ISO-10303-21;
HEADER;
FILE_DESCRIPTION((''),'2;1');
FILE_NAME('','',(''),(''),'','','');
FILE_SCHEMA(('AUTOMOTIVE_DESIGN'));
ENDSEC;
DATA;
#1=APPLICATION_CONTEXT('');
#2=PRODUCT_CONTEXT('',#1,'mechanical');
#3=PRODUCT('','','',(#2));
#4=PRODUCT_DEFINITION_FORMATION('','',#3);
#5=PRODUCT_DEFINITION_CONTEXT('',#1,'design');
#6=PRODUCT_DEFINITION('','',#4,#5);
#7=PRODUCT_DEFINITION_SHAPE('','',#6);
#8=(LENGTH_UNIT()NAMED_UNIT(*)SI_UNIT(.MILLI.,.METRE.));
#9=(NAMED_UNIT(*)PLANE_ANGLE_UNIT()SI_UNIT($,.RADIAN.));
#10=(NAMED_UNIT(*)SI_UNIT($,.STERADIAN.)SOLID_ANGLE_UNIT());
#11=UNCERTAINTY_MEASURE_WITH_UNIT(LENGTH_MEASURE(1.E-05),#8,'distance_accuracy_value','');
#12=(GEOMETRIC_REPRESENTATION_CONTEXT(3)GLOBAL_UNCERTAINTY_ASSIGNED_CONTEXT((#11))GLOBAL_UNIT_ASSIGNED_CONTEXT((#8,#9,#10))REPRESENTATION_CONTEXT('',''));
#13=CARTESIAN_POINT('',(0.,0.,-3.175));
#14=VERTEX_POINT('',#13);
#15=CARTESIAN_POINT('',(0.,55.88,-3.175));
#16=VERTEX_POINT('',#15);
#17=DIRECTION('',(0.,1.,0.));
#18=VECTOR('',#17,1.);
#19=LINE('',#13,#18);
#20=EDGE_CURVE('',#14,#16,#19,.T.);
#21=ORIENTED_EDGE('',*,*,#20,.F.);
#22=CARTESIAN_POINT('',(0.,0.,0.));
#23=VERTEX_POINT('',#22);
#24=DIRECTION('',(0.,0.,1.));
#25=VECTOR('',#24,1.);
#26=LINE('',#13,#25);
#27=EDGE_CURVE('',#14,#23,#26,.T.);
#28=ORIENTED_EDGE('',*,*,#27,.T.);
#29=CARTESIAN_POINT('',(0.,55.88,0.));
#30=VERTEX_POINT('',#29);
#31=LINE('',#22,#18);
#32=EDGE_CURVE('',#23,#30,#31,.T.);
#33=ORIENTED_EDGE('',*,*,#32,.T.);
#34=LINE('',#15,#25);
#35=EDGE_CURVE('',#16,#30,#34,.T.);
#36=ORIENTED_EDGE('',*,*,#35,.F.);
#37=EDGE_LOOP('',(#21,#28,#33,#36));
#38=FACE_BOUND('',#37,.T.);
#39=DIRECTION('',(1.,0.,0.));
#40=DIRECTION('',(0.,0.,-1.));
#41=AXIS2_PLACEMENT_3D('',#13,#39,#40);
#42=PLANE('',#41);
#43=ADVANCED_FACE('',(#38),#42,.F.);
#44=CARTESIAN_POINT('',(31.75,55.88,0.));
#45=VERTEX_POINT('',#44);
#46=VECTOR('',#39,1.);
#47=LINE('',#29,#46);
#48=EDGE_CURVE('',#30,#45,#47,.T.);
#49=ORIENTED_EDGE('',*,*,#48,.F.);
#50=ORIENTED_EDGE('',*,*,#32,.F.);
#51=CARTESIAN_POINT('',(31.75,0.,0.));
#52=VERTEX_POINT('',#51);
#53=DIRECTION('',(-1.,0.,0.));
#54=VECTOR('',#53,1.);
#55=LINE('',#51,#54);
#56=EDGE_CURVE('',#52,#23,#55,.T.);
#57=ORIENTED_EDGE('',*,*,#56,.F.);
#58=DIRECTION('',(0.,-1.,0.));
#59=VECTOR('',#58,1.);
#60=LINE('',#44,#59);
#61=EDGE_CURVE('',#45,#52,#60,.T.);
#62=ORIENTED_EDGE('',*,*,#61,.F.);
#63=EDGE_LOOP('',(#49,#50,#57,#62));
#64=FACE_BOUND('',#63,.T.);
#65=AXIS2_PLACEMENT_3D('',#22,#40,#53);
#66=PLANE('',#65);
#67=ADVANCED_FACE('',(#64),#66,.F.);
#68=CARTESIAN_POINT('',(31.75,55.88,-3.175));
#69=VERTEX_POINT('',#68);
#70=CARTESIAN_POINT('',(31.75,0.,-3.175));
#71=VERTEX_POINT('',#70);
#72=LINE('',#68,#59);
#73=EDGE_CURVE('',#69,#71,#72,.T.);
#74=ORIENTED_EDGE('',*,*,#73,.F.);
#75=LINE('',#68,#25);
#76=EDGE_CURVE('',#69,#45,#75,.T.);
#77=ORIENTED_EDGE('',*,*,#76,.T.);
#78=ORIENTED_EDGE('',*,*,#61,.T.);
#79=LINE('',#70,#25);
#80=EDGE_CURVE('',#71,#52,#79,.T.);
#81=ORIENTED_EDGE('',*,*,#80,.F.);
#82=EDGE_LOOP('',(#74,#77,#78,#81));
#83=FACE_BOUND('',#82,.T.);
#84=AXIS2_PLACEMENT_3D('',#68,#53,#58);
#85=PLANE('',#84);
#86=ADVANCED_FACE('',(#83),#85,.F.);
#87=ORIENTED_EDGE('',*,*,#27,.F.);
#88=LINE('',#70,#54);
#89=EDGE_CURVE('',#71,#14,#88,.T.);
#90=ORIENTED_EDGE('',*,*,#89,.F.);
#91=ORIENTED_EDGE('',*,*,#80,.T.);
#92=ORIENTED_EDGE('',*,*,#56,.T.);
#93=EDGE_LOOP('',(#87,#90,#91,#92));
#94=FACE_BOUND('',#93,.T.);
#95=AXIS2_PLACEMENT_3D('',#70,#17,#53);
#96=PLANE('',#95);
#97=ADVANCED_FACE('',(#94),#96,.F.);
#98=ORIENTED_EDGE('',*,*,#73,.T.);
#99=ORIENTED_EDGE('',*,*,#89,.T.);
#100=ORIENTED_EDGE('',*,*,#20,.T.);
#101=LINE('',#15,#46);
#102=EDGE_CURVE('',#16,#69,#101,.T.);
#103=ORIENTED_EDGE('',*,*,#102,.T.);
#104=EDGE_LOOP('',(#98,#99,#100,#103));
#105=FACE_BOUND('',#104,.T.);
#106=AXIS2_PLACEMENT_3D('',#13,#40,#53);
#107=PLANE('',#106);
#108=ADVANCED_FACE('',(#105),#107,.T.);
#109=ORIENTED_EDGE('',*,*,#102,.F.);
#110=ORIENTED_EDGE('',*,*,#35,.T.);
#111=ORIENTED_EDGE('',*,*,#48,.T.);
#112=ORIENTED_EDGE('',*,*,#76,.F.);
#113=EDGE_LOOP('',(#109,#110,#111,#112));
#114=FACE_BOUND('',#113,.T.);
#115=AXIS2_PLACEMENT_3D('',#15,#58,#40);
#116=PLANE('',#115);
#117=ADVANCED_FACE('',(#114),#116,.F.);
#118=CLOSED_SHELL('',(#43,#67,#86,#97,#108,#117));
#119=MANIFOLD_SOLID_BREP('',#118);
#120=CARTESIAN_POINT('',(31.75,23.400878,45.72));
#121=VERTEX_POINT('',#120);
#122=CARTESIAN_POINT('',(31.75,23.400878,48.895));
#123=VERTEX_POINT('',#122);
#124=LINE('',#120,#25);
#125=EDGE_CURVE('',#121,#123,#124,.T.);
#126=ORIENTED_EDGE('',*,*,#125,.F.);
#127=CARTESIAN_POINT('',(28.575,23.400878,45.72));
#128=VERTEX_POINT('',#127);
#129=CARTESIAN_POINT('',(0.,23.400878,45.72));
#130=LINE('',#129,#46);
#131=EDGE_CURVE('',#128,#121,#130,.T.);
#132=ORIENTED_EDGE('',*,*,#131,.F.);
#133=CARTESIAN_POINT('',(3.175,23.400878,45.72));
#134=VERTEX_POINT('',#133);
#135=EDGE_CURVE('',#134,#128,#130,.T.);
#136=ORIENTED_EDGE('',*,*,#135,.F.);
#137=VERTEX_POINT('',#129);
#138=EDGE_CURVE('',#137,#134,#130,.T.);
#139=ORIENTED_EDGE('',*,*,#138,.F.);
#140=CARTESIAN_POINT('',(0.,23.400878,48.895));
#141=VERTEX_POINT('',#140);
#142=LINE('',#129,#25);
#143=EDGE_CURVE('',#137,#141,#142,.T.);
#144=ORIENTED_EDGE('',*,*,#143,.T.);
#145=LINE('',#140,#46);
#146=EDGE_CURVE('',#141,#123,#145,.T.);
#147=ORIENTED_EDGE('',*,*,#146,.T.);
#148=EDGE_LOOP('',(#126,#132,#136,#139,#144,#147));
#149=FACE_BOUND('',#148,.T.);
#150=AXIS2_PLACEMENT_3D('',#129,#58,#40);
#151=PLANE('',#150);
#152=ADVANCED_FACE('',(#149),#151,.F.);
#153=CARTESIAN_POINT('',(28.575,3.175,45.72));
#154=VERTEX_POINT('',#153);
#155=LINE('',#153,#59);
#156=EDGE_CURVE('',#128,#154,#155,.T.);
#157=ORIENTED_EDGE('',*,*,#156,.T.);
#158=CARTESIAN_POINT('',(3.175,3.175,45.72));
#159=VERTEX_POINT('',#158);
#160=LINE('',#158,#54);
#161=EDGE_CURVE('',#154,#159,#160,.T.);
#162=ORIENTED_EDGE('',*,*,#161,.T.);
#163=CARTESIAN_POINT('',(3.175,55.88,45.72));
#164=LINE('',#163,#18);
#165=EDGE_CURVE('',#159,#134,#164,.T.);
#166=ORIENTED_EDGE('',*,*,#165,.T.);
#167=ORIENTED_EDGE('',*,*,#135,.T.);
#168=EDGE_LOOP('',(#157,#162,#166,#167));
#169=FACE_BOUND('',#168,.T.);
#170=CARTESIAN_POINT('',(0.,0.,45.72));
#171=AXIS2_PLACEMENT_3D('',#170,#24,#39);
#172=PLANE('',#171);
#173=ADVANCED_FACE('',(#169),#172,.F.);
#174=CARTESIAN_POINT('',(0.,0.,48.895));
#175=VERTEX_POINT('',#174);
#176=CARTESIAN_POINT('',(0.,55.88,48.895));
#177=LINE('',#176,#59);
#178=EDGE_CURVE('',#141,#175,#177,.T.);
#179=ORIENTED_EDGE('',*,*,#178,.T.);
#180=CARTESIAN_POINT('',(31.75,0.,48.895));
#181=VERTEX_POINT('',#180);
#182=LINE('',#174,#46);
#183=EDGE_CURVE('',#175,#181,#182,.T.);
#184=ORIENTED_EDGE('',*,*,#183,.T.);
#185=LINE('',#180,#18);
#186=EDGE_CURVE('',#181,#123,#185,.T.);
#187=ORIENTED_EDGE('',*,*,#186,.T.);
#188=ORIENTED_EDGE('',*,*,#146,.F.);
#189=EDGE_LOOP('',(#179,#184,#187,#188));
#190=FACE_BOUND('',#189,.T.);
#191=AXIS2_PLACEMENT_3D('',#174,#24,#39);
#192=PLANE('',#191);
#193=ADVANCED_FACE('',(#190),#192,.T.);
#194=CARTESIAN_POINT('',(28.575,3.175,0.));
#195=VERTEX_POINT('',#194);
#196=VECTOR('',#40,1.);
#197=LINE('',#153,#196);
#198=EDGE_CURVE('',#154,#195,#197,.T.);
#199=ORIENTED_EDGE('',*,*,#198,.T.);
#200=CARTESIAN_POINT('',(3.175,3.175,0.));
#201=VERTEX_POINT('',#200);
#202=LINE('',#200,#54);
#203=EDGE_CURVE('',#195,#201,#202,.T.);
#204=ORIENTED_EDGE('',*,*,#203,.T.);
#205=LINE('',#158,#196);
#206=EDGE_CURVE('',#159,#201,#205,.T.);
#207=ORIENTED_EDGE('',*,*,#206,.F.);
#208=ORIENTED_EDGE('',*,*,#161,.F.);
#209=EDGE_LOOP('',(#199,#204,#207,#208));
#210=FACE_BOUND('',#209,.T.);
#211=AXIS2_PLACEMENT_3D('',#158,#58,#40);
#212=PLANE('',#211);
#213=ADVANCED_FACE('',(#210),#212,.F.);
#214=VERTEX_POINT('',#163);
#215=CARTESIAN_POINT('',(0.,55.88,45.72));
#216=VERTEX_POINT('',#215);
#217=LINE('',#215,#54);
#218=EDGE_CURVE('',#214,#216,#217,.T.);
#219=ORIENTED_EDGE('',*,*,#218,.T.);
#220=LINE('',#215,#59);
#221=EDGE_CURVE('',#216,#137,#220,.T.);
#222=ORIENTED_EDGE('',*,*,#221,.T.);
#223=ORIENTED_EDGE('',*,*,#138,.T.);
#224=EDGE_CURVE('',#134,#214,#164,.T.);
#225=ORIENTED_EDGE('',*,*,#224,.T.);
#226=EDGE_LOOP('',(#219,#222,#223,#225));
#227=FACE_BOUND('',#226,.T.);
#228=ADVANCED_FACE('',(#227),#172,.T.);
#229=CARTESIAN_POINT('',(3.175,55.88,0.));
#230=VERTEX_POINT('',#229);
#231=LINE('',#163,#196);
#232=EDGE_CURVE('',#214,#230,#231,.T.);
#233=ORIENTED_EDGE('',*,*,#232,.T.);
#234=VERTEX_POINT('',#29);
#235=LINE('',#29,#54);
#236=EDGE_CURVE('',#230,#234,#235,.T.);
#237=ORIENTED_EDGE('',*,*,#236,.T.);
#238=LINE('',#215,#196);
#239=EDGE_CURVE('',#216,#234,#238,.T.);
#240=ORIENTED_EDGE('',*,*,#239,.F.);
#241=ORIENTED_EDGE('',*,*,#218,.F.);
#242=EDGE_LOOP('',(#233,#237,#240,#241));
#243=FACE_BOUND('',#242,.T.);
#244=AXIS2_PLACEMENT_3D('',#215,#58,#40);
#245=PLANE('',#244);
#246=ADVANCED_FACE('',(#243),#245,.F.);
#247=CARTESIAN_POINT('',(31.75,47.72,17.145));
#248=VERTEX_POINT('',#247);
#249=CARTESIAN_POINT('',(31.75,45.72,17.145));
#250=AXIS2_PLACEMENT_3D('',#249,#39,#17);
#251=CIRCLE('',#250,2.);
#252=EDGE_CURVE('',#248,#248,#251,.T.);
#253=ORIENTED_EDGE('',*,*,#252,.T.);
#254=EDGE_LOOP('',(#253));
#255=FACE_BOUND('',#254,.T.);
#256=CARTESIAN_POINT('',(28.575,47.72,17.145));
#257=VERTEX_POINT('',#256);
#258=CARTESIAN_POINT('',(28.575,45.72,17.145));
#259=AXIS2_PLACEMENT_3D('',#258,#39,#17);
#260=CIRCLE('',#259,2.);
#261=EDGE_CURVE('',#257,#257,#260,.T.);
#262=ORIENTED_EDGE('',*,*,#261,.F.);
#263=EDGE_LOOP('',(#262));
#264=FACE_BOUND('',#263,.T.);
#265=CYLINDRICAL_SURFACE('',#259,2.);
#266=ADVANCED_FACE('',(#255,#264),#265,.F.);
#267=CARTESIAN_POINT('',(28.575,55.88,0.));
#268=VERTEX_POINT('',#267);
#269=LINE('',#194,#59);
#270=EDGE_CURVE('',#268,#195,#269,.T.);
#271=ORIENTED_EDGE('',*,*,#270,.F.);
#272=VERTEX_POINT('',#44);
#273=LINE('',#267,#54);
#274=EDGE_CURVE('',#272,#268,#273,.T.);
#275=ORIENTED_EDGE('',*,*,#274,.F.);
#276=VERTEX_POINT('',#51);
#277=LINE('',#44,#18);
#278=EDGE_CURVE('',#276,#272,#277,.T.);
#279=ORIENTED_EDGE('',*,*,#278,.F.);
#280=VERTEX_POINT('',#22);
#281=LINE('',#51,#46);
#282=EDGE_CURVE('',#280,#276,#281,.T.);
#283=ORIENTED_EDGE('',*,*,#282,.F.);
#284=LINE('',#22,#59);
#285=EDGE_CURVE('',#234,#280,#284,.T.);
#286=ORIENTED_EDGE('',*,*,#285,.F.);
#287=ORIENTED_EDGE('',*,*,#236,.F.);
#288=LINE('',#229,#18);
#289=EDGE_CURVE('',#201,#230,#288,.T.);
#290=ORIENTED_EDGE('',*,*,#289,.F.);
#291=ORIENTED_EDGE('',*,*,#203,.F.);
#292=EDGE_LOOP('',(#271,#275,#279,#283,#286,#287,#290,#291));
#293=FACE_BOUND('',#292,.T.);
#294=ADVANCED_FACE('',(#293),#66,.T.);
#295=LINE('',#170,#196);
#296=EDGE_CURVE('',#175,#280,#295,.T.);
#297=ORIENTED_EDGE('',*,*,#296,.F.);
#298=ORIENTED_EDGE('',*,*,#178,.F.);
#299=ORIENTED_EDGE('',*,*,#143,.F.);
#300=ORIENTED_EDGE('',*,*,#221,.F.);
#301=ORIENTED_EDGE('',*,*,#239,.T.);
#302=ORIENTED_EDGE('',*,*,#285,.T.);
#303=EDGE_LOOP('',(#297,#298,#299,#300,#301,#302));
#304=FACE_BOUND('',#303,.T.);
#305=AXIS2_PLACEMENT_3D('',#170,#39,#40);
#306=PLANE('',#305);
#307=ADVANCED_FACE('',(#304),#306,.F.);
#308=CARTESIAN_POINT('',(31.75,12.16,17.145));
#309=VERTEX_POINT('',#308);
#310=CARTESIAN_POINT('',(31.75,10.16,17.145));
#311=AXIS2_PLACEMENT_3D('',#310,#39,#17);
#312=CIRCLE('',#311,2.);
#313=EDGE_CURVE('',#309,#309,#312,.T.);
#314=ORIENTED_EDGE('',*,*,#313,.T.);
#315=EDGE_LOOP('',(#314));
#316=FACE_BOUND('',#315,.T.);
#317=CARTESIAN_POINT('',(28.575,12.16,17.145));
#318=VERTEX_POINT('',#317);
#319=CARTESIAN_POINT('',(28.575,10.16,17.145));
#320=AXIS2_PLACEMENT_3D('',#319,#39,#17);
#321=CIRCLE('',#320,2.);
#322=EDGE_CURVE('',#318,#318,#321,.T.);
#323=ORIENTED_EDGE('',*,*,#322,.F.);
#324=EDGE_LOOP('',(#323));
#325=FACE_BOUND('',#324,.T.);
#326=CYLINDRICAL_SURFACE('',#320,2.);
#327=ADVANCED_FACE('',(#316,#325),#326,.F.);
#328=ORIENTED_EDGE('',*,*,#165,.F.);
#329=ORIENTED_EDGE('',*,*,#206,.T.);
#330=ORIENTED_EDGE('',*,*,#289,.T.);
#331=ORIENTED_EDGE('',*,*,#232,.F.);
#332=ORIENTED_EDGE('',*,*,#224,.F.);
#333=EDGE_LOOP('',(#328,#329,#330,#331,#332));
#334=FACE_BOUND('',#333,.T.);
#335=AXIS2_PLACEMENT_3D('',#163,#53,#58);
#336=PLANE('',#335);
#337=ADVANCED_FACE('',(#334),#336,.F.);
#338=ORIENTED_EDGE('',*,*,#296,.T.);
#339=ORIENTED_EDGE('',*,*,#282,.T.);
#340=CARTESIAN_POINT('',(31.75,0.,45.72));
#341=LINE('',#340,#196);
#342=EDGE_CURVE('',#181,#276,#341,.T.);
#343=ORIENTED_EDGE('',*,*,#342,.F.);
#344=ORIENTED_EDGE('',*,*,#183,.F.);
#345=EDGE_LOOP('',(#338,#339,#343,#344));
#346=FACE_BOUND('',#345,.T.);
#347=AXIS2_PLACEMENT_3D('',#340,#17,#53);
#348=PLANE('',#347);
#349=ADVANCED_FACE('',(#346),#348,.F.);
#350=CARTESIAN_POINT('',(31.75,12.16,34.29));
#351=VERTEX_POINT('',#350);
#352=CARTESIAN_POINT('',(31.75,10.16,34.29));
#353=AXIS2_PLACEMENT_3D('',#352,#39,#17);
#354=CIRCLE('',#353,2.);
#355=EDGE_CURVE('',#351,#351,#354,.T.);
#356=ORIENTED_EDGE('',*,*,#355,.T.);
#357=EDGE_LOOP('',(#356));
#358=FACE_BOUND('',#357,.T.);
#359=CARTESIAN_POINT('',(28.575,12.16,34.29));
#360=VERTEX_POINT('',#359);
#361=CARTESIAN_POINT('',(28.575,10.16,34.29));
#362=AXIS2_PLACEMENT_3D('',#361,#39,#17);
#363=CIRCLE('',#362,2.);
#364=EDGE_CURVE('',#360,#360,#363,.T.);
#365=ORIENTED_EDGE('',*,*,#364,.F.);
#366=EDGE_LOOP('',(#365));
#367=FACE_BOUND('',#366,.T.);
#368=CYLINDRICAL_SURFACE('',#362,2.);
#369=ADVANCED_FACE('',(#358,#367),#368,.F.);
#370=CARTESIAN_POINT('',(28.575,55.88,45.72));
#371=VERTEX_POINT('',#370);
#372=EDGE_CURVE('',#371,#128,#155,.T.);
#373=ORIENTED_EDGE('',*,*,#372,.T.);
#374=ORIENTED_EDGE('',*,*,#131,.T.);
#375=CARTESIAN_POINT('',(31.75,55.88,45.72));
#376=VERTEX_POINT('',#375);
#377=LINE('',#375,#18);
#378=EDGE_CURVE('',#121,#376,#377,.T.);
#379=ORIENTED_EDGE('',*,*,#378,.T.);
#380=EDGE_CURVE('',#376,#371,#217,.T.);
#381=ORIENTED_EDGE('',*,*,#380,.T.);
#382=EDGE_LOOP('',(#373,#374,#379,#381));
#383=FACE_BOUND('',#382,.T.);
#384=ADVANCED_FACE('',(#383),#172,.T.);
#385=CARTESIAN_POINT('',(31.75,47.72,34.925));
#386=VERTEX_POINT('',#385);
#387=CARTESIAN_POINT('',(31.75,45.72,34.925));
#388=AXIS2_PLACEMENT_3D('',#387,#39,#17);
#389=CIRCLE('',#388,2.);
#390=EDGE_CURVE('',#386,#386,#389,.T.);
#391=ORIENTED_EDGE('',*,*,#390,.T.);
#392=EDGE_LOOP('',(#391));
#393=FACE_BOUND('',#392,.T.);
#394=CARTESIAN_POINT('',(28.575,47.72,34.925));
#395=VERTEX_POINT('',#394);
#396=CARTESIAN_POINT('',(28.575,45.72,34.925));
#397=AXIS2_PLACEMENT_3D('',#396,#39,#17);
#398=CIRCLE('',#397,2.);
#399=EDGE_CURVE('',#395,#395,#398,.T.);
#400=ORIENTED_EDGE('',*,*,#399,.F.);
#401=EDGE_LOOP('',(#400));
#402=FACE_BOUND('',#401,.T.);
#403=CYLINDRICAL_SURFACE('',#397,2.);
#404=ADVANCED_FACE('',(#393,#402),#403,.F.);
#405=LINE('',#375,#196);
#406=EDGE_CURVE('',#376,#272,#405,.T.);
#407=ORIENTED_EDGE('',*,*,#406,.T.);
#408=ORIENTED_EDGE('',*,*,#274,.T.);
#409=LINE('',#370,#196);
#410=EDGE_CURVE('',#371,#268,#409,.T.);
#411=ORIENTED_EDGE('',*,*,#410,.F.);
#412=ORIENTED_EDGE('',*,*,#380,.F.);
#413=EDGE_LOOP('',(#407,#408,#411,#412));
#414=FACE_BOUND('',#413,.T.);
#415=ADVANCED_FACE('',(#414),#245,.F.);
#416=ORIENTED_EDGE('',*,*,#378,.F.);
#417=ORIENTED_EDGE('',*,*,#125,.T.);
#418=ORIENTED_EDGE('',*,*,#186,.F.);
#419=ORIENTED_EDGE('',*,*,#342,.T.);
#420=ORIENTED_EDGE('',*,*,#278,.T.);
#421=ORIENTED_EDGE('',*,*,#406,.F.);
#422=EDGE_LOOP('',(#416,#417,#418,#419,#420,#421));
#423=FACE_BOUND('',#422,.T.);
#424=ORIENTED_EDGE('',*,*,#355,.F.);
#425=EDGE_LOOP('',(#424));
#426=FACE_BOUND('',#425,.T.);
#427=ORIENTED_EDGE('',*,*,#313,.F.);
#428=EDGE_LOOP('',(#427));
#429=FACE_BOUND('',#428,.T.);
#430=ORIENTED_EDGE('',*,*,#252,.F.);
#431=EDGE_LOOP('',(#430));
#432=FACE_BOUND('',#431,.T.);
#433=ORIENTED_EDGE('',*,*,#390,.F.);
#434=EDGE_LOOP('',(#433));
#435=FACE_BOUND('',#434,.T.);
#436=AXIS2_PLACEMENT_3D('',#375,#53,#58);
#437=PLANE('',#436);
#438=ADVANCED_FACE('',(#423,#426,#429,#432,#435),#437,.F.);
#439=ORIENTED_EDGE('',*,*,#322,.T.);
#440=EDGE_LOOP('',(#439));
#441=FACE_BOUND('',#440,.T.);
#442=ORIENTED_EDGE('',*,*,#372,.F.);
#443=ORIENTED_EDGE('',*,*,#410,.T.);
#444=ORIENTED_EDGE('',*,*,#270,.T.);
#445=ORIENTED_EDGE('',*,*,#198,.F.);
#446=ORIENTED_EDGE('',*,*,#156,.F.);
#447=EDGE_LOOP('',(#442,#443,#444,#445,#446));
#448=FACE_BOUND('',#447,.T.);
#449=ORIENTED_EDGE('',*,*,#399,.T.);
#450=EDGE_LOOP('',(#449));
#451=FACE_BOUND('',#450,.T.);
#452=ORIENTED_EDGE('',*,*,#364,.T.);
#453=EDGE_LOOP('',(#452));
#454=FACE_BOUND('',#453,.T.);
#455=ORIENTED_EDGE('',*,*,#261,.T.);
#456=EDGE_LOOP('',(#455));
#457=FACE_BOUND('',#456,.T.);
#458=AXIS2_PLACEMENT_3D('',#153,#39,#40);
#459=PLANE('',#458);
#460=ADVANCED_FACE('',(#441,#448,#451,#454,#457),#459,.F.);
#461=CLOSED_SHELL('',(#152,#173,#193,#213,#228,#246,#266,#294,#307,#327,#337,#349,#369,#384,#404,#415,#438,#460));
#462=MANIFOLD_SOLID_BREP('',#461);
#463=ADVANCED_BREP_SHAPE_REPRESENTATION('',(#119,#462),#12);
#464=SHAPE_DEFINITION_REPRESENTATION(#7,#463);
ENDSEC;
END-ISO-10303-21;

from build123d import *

# Parameters (mm, degrees)
BOSS_EXTRUDE1_DEPTH = 45.72
SKETCH2_W           = 31.75
SKETCH2_H           = 55.88
BOSS_EXTRUDE2_DEPTH = 3.175
SKETCH3_W           = 31.75
SKETCH3_H           = 55.88
SKETCH3_R           = 3.712440594
BOSS_EXTRUDE3_DEPTH = 3.175
SKETCH4_R           = 2
CUT_EXTRUDE1_DEPTH  = 3.175
SKETCH5_W           = 31.75
SKETCH5_H           = 32.479121714
CUT_EXTRUDE2_DEPTH  = 3.175


with BuildPart() as part:
    # Sketch1 → Boss-Extrude1 (new body)
    with BuildSketch(Plane.XY):
        Polygon((0, 0), (0, 55.88), (3.175, 55.88), (3.175, 3.175), (28.575, 3.175), (28.575, 55.88), (31.75, 55.88), (31.75, 0), align=None)
    extrude(amount=BOSS_EXTRUDE1_DEPTH)

    # Sketch3 → Boss-Extrude3 (add)
    with BuildSketch(Plane.XY.offset(45.72)):
        with Locations((15.875, 27.94)):
            Rectangle(SKETCH3_W, SKETCH3_H)
        with Locations((15.875, 40.426288934)):
            Circle(SKETCH3_R, mode=Mode.SUBTRACT)
    extrude(amount=BOSS_EXTRUDE3_DEPTH)

    # Sketch4 → Cut-Extrude1 (cut)
    with BuildSketch(Plane(origin=(31.75, 0, 0), x_dir=(0, 0, -1), z_dir=(1, 0, 0))):
        with Locations((-17.145, 45.72)):
            Circle(SKETCH4_R)
        with Locations((-34.29, 10.16)):
            Circle(SKETCH4_R)
        with Locations((-17.145, 10.16)):
            Circle(SKETCH4_R)
        with Locations((-34.925, 45.72)):
            Circle(SKETCH4_R)
    extrude(amount=-CUT_EXTRUDE1_DEPTH, mode=Mode.SUBTRACT)

    # Sketch5 → Cut-Extrude2 (cut)
    with BuildSketch(Plane.XY.offset(48.895)):
        with Locations((15.875, 39.640439143)):
            Rectangle(SKETCH5_W, SKETCH5_H)
    extrude(amount=-CUT_EXTRUDE2_DEPTH, mode=Mode.SUBTRACT)


with BuildPart() as body_2:
    # Sketch2 → Boss-Extrude2 (new body)
    with BuildSketch(Plane(origin=(0, 0, 0), x_dir=(-1, 0, 0), z_dir=(0, 0, -1))):
        with Locations((-15.875, 27.94)):
            Rectangle(SKETCH2_W, SKETCH2_H)
    extrude(amount=BOSS_EXTRUDE2_DEPTH)


solid = Compound([part.part, body_2.part])
